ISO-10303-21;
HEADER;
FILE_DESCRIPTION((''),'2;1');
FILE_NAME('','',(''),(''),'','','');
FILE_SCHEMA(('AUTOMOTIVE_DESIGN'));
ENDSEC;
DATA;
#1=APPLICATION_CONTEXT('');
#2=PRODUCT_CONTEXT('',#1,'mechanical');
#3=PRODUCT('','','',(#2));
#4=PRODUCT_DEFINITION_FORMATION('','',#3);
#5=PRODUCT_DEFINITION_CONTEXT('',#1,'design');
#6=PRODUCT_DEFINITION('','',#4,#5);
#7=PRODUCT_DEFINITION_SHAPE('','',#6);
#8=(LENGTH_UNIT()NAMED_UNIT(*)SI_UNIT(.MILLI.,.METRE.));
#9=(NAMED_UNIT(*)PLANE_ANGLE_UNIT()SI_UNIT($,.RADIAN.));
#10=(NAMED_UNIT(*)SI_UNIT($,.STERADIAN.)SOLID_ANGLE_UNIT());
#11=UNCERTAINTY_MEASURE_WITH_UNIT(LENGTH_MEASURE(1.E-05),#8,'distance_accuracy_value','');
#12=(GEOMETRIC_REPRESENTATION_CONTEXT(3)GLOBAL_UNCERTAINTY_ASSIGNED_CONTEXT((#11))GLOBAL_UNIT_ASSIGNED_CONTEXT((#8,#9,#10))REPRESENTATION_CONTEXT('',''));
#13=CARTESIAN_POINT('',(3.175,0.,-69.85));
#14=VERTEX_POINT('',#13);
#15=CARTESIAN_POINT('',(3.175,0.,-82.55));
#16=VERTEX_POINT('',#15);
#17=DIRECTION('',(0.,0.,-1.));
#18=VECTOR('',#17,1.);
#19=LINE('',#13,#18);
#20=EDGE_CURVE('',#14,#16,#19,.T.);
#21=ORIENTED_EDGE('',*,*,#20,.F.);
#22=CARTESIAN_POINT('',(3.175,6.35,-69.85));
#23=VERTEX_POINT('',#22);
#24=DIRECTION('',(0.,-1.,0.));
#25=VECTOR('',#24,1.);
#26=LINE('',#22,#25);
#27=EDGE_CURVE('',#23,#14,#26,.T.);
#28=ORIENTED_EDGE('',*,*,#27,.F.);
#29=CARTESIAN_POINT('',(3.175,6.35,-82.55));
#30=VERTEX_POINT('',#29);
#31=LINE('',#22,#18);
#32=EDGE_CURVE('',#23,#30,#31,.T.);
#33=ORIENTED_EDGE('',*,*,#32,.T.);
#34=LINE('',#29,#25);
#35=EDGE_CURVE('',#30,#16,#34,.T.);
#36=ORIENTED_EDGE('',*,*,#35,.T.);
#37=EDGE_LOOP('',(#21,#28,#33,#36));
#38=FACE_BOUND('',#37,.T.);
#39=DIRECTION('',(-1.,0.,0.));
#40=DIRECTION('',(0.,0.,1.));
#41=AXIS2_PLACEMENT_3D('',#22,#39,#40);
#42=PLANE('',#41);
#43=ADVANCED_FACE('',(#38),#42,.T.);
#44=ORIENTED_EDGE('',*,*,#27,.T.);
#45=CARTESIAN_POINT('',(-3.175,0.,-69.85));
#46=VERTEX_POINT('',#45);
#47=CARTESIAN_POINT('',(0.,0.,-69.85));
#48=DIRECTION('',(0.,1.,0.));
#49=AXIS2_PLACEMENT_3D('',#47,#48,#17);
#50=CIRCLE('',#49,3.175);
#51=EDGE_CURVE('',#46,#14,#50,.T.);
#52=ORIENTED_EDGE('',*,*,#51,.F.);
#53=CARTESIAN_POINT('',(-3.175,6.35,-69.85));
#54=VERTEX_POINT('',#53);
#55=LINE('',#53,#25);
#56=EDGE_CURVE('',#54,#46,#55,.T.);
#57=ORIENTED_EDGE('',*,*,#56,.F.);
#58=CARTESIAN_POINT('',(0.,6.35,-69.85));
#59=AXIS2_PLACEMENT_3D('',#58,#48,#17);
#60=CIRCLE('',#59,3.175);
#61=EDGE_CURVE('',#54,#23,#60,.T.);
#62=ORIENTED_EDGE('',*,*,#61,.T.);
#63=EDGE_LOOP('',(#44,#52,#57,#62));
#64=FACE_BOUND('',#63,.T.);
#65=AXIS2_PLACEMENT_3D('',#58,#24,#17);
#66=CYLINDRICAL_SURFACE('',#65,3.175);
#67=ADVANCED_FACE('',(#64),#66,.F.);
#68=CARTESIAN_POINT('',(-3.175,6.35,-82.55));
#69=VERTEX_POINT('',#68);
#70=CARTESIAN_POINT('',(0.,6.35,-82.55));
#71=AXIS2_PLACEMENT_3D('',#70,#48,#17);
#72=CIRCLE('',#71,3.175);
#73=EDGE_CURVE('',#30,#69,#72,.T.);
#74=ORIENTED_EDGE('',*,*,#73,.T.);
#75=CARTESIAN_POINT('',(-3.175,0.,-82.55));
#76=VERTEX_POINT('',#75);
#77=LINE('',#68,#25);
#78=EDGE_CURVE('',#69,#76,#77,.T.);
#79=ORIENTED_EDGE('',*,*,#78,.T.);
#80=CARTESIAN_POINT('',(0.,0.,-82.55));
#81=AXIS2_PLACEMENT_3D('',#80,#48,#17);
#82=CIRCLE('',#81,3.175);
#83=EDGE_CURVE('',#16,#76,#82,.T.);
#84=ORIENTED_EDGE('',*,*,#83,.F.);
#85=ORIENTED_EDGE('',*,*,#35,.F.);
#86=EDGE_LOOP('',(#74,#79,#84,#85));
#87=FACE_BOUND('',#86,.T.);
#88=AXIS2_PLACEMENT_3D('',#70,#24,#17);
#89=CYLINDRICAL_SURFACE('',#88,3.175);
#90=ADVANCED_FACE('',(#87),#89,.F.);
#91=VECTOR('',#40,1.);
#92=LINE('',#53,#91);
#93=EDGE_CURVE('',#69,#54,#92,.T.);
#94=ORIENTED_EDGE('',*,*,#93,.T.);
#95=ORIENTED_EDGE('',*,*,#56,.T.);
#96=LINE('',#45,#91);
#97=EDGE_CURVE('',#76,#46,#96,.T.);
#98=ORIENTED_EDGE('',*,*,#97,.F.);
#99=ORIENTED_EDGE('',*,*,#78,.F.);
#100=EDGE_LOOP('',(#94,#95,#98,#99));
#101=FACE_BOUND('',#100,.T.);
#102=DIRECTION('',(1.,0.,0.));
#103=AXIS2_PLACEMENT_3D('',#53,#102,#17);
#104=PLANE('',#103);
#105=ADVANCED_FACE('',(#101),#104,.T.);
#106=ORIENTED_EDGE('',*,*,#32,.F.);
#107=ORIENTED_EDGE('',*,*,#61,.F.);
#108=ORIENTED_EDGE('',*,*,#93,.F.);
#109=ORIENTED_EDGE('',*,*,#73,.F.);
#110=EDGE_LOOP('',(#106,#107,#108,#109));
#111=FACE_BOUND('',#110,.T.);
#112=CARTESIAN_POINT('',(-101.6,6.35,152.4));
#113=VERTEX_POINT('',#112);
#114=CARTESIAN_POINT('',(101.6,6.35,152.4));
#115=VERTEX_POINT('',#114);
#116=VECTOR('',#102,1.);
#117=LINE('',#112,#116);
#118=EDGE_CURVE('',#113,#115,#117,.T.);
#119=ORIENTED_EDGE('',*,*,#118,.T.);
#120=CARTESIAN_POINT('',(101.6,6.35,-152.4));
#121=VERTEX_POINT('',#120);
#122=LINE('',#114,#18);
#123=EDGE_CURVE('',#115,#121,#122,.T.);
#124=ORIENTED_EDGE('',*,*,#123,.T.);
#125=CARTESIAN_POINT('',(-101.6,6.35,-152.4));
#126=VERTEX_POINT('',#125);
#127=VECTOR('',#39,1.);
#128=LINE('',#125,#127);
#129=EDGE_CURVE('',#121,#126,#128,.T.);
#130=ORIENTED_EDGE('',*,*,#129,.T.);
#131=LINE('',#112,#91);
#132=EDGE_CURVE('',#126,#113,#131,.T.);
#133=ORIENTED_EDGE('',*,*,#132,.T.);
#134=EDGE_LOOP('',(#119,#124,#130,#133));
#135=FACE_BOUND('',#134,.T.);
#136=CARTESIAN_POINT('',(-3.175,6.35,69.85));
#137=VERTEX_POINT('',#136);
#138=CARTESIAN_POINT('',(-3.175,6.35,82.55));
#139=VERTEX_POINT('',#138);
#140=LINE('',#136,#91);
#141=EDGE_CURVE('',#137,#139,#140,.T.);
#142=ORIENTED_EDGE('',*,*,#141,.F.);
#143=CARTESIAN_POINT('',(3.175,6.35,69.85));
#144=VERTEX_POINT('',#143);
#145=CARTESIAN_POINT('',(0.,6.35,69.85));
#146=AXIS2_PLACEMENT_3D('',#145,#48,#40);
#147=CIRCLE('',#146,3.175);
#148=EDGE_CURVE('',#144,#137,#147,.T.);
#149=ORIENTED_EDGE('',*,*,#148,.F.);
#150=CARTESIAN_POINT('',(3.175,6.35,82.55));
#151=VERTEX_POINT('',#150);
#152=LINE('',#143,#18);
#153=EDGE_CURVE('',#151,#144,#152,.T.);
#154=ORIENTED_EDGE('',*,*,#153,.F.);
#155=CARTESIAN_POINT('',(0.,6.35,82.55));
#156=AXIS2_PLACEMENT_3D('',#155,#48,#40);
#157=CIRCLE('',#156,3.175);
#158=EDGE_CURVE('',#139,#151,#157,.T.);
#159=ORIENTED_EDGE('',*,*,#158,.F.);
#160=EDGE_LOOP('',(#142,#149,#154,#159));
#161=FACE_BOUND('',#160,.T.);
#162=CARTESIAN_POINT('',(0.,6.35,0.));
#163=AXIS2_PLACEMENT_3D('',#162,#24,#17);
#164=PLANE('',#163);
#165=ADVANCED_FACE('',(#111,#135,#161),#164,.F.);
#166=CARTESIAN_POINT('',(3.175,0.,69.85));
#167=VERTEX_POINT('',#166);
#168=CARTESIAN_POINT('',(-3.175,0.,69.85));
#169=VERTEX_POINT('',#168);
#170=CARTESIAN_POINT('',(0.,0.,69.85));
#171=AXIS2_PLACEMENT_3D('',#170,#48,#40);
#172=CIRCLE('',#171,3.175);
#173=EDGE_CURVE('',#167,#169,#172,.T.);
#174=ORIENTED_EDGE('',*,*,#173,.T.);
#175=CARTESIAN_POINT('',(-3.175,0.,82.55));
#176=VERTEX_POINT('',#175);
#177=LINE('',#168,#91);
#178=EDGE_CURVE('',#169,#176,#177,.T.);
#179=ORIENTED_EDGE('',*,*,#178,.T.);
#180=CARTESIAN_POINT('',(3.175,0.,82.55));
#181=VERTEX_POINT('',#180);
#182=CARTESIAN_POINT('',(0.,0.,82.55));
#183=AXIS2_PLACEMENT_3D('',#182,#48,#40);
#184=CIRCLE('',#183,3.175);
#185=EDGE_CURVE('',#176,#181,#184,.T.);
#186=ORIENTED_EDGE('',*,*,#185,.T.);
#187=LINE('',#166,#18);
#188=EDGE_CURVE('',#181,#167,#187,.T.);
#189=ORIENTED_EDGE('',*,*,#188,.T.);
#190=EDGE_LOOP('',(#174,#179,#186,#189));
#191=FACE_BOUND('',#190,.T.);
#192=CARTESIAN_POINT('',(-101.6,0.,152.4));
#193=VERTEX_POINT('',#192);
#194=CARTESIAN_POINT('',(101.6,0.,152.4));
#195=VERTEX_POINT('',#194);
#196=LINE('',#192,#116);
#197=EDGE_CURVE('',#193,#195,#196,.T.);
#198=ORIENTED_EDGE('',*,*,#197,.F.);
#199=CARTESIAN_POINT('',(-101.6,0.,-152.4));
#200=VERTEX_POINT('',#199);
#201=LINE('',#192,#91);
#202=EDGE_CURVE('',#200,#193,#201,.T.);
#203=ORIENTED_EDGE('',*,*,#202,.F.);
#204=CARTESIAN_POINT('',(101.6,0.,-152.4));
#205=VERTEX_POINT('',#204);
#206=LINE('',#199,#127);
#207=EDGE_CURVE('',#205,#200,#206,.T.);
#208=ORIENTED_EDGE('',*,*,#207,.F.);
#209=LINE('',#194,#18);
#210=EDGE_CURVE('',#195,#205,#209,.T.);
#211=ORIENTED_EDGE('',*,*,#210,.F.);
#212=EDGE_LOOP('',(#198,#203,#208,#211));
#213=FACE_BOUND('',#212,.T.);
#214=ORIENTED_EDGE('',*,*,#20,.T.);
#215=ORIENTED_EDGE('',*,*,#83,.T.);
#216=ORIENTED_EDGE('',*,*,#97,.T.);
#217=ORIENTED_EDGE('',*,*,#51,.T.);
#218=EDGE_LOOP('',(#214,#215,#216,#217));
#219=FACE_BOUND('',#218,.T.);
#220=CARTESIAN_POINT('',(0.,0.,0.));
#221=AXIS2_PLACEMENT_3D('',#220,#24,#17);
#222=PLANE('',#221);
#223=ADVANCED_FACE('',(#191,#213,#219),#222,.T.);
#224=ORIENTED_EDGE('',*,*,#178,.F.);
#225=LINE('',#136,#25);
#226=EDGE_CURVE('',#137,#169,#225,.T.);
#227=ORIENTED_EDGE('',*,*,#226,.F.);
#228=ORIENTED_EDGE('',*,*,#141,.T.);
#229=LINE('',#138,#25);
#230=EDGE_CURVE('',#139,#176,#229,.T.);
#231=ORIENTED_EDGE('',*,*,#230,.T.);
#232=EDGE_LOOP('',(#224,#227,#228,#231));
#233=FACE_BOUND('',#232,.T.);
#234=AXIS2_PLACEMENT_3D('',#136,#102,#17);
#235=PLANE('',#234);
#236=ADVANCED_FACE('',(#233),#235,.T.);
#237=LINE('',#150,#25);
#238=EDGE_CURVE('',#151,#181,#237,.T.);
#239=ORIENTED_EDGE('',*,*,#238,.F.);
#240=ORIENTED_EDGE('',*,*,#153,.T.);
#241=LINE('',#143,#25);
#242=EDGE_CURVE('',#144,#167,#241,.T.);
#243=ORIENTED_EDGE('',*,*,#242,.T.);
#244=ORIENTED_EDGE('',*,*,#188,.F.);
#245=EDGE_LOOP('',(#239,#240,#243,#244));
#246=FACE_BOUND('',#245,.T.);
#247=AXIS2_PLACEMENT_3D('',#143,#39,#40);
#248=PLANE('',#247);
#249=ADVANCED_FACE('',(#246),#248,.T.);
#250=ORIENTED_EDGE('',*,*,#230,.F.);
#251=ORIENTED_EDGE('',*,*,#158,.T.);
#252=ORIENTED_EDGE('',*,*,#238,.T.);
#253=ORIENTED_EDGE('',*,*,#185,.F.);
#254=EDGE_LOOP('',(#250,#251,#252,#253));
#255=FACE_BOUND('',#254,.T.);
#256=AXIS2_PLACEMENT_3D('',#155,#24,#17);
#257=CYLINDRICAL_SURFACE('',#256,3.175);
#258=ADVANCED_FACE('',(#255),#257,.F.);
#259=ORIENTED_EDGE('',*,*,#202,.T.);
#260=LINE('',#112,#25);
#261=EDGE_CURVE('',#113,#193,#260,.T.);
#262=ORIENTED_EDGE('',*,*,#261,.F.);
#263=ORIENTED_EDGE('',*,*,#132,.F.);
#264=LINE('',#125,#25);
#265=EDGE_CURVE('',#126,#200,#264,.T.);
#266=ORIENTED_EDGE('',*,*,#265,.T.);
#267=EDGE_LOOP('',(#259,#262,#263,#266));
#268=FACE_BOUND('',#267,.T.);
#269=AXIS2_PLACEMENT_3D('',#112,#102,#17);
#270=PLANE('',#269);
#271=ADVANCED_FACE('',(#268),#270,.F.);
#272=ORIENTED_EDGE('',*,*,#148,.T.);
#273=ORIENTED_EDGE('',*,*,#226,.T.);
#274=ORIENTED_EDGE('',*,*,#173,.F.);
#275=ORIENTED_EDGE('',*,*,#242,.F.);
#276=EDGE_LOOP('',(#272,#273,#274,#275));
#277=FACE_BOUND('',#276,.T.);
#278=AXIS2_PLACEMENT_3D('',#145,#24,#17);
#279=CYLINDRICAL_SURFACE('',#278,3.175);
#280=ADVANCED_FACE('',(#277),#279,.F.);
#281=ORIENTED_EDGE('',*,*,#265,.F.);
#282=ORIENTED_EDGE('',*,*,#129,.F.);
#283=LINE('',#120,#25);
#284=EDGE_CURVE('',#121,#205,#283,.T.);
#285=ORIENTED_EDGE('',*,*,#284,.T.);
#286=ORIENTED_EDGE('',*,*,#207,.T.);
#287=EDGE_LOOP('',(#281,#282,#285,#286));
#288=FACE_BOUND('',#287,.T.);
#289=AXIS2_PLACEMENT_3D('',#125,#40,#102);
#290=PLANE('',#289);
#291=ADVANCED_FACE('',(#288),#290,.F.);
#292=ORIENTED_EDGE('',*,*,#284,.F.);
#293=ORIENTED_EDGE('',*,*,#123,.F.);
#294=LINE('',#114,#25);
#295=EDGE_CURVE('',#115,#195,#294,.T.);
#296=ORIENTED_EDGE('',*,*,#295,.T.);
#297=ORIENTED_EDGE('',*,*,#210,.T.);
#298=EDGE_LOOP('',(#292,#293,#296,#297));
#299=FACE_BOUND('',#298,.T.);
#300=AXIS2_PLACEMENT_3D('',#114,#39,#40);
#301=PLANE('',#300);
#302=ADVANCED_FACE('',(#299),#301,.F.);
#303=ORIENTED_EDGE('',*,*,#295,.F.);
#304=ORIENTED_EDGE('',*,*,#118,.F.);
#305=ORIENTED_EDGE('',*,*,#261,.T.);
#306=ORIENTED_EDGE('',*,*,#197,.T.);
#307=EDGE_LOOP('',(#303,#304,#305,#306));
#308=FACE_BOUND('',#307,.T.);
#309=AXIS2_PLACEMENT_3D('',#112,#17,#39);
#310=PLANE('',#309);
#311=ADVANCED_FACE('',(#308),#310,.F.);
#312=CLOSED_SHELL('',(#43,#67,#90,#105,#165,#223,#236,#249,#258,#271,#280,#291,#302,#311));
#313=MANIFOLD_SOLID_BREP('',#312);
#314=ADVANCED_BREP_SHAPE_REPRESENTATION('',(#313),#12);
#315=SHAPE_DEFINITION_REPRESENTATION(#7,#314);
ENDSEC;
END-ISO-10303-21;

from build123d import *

# Parameters (mm, degrees)
SKETCH1_W           = 203.2
SKETCH1_H           = 304.8
BOSS_EXTRUDE1_DEPTH = 6.35


with BuildPart() as part:
    # Sketch1 → Boss-Extrude1 (new body)
    with BuildSketch(Plane(origin=(0, 0, 0), x_dir=(1, 0, 0), z_dir=(0, 1, 0))):
        Rectangle(SKETCH1_W, SKETCH1_H)
        with BuildLine():
            Line((3.175, -69.85), (3.175, -82.55))
            ThreePointArc((3.175, -82.55), (0, -85.725), (-3.175, -82.55))
            Line((-3.175, -82.55), (-3.175, -69.85))
            ThreePointArc((-3.175, -69.85), (0, -66.675), (3.175, -69.85))
        make_face(mode=Mode.SUBTRACT)
        with BuildLine():
            Line((3.175, 69.85), (3.175, 82.55))
            ThreePointArc((3.175, 82.55), (0, 85.725), (-3.175, 82.55))
            Line((-3.175, 82.55), (-3.175, 69.85))
            ThreePointArc((-3.175, 69.85), (0, 66.675), (3.175, 69.85))
        make_face(mode=Mode.SUBTRACT)
    extrude(amount=BOSS_EXTRUDE1_DEPTH)


solid = part.part
